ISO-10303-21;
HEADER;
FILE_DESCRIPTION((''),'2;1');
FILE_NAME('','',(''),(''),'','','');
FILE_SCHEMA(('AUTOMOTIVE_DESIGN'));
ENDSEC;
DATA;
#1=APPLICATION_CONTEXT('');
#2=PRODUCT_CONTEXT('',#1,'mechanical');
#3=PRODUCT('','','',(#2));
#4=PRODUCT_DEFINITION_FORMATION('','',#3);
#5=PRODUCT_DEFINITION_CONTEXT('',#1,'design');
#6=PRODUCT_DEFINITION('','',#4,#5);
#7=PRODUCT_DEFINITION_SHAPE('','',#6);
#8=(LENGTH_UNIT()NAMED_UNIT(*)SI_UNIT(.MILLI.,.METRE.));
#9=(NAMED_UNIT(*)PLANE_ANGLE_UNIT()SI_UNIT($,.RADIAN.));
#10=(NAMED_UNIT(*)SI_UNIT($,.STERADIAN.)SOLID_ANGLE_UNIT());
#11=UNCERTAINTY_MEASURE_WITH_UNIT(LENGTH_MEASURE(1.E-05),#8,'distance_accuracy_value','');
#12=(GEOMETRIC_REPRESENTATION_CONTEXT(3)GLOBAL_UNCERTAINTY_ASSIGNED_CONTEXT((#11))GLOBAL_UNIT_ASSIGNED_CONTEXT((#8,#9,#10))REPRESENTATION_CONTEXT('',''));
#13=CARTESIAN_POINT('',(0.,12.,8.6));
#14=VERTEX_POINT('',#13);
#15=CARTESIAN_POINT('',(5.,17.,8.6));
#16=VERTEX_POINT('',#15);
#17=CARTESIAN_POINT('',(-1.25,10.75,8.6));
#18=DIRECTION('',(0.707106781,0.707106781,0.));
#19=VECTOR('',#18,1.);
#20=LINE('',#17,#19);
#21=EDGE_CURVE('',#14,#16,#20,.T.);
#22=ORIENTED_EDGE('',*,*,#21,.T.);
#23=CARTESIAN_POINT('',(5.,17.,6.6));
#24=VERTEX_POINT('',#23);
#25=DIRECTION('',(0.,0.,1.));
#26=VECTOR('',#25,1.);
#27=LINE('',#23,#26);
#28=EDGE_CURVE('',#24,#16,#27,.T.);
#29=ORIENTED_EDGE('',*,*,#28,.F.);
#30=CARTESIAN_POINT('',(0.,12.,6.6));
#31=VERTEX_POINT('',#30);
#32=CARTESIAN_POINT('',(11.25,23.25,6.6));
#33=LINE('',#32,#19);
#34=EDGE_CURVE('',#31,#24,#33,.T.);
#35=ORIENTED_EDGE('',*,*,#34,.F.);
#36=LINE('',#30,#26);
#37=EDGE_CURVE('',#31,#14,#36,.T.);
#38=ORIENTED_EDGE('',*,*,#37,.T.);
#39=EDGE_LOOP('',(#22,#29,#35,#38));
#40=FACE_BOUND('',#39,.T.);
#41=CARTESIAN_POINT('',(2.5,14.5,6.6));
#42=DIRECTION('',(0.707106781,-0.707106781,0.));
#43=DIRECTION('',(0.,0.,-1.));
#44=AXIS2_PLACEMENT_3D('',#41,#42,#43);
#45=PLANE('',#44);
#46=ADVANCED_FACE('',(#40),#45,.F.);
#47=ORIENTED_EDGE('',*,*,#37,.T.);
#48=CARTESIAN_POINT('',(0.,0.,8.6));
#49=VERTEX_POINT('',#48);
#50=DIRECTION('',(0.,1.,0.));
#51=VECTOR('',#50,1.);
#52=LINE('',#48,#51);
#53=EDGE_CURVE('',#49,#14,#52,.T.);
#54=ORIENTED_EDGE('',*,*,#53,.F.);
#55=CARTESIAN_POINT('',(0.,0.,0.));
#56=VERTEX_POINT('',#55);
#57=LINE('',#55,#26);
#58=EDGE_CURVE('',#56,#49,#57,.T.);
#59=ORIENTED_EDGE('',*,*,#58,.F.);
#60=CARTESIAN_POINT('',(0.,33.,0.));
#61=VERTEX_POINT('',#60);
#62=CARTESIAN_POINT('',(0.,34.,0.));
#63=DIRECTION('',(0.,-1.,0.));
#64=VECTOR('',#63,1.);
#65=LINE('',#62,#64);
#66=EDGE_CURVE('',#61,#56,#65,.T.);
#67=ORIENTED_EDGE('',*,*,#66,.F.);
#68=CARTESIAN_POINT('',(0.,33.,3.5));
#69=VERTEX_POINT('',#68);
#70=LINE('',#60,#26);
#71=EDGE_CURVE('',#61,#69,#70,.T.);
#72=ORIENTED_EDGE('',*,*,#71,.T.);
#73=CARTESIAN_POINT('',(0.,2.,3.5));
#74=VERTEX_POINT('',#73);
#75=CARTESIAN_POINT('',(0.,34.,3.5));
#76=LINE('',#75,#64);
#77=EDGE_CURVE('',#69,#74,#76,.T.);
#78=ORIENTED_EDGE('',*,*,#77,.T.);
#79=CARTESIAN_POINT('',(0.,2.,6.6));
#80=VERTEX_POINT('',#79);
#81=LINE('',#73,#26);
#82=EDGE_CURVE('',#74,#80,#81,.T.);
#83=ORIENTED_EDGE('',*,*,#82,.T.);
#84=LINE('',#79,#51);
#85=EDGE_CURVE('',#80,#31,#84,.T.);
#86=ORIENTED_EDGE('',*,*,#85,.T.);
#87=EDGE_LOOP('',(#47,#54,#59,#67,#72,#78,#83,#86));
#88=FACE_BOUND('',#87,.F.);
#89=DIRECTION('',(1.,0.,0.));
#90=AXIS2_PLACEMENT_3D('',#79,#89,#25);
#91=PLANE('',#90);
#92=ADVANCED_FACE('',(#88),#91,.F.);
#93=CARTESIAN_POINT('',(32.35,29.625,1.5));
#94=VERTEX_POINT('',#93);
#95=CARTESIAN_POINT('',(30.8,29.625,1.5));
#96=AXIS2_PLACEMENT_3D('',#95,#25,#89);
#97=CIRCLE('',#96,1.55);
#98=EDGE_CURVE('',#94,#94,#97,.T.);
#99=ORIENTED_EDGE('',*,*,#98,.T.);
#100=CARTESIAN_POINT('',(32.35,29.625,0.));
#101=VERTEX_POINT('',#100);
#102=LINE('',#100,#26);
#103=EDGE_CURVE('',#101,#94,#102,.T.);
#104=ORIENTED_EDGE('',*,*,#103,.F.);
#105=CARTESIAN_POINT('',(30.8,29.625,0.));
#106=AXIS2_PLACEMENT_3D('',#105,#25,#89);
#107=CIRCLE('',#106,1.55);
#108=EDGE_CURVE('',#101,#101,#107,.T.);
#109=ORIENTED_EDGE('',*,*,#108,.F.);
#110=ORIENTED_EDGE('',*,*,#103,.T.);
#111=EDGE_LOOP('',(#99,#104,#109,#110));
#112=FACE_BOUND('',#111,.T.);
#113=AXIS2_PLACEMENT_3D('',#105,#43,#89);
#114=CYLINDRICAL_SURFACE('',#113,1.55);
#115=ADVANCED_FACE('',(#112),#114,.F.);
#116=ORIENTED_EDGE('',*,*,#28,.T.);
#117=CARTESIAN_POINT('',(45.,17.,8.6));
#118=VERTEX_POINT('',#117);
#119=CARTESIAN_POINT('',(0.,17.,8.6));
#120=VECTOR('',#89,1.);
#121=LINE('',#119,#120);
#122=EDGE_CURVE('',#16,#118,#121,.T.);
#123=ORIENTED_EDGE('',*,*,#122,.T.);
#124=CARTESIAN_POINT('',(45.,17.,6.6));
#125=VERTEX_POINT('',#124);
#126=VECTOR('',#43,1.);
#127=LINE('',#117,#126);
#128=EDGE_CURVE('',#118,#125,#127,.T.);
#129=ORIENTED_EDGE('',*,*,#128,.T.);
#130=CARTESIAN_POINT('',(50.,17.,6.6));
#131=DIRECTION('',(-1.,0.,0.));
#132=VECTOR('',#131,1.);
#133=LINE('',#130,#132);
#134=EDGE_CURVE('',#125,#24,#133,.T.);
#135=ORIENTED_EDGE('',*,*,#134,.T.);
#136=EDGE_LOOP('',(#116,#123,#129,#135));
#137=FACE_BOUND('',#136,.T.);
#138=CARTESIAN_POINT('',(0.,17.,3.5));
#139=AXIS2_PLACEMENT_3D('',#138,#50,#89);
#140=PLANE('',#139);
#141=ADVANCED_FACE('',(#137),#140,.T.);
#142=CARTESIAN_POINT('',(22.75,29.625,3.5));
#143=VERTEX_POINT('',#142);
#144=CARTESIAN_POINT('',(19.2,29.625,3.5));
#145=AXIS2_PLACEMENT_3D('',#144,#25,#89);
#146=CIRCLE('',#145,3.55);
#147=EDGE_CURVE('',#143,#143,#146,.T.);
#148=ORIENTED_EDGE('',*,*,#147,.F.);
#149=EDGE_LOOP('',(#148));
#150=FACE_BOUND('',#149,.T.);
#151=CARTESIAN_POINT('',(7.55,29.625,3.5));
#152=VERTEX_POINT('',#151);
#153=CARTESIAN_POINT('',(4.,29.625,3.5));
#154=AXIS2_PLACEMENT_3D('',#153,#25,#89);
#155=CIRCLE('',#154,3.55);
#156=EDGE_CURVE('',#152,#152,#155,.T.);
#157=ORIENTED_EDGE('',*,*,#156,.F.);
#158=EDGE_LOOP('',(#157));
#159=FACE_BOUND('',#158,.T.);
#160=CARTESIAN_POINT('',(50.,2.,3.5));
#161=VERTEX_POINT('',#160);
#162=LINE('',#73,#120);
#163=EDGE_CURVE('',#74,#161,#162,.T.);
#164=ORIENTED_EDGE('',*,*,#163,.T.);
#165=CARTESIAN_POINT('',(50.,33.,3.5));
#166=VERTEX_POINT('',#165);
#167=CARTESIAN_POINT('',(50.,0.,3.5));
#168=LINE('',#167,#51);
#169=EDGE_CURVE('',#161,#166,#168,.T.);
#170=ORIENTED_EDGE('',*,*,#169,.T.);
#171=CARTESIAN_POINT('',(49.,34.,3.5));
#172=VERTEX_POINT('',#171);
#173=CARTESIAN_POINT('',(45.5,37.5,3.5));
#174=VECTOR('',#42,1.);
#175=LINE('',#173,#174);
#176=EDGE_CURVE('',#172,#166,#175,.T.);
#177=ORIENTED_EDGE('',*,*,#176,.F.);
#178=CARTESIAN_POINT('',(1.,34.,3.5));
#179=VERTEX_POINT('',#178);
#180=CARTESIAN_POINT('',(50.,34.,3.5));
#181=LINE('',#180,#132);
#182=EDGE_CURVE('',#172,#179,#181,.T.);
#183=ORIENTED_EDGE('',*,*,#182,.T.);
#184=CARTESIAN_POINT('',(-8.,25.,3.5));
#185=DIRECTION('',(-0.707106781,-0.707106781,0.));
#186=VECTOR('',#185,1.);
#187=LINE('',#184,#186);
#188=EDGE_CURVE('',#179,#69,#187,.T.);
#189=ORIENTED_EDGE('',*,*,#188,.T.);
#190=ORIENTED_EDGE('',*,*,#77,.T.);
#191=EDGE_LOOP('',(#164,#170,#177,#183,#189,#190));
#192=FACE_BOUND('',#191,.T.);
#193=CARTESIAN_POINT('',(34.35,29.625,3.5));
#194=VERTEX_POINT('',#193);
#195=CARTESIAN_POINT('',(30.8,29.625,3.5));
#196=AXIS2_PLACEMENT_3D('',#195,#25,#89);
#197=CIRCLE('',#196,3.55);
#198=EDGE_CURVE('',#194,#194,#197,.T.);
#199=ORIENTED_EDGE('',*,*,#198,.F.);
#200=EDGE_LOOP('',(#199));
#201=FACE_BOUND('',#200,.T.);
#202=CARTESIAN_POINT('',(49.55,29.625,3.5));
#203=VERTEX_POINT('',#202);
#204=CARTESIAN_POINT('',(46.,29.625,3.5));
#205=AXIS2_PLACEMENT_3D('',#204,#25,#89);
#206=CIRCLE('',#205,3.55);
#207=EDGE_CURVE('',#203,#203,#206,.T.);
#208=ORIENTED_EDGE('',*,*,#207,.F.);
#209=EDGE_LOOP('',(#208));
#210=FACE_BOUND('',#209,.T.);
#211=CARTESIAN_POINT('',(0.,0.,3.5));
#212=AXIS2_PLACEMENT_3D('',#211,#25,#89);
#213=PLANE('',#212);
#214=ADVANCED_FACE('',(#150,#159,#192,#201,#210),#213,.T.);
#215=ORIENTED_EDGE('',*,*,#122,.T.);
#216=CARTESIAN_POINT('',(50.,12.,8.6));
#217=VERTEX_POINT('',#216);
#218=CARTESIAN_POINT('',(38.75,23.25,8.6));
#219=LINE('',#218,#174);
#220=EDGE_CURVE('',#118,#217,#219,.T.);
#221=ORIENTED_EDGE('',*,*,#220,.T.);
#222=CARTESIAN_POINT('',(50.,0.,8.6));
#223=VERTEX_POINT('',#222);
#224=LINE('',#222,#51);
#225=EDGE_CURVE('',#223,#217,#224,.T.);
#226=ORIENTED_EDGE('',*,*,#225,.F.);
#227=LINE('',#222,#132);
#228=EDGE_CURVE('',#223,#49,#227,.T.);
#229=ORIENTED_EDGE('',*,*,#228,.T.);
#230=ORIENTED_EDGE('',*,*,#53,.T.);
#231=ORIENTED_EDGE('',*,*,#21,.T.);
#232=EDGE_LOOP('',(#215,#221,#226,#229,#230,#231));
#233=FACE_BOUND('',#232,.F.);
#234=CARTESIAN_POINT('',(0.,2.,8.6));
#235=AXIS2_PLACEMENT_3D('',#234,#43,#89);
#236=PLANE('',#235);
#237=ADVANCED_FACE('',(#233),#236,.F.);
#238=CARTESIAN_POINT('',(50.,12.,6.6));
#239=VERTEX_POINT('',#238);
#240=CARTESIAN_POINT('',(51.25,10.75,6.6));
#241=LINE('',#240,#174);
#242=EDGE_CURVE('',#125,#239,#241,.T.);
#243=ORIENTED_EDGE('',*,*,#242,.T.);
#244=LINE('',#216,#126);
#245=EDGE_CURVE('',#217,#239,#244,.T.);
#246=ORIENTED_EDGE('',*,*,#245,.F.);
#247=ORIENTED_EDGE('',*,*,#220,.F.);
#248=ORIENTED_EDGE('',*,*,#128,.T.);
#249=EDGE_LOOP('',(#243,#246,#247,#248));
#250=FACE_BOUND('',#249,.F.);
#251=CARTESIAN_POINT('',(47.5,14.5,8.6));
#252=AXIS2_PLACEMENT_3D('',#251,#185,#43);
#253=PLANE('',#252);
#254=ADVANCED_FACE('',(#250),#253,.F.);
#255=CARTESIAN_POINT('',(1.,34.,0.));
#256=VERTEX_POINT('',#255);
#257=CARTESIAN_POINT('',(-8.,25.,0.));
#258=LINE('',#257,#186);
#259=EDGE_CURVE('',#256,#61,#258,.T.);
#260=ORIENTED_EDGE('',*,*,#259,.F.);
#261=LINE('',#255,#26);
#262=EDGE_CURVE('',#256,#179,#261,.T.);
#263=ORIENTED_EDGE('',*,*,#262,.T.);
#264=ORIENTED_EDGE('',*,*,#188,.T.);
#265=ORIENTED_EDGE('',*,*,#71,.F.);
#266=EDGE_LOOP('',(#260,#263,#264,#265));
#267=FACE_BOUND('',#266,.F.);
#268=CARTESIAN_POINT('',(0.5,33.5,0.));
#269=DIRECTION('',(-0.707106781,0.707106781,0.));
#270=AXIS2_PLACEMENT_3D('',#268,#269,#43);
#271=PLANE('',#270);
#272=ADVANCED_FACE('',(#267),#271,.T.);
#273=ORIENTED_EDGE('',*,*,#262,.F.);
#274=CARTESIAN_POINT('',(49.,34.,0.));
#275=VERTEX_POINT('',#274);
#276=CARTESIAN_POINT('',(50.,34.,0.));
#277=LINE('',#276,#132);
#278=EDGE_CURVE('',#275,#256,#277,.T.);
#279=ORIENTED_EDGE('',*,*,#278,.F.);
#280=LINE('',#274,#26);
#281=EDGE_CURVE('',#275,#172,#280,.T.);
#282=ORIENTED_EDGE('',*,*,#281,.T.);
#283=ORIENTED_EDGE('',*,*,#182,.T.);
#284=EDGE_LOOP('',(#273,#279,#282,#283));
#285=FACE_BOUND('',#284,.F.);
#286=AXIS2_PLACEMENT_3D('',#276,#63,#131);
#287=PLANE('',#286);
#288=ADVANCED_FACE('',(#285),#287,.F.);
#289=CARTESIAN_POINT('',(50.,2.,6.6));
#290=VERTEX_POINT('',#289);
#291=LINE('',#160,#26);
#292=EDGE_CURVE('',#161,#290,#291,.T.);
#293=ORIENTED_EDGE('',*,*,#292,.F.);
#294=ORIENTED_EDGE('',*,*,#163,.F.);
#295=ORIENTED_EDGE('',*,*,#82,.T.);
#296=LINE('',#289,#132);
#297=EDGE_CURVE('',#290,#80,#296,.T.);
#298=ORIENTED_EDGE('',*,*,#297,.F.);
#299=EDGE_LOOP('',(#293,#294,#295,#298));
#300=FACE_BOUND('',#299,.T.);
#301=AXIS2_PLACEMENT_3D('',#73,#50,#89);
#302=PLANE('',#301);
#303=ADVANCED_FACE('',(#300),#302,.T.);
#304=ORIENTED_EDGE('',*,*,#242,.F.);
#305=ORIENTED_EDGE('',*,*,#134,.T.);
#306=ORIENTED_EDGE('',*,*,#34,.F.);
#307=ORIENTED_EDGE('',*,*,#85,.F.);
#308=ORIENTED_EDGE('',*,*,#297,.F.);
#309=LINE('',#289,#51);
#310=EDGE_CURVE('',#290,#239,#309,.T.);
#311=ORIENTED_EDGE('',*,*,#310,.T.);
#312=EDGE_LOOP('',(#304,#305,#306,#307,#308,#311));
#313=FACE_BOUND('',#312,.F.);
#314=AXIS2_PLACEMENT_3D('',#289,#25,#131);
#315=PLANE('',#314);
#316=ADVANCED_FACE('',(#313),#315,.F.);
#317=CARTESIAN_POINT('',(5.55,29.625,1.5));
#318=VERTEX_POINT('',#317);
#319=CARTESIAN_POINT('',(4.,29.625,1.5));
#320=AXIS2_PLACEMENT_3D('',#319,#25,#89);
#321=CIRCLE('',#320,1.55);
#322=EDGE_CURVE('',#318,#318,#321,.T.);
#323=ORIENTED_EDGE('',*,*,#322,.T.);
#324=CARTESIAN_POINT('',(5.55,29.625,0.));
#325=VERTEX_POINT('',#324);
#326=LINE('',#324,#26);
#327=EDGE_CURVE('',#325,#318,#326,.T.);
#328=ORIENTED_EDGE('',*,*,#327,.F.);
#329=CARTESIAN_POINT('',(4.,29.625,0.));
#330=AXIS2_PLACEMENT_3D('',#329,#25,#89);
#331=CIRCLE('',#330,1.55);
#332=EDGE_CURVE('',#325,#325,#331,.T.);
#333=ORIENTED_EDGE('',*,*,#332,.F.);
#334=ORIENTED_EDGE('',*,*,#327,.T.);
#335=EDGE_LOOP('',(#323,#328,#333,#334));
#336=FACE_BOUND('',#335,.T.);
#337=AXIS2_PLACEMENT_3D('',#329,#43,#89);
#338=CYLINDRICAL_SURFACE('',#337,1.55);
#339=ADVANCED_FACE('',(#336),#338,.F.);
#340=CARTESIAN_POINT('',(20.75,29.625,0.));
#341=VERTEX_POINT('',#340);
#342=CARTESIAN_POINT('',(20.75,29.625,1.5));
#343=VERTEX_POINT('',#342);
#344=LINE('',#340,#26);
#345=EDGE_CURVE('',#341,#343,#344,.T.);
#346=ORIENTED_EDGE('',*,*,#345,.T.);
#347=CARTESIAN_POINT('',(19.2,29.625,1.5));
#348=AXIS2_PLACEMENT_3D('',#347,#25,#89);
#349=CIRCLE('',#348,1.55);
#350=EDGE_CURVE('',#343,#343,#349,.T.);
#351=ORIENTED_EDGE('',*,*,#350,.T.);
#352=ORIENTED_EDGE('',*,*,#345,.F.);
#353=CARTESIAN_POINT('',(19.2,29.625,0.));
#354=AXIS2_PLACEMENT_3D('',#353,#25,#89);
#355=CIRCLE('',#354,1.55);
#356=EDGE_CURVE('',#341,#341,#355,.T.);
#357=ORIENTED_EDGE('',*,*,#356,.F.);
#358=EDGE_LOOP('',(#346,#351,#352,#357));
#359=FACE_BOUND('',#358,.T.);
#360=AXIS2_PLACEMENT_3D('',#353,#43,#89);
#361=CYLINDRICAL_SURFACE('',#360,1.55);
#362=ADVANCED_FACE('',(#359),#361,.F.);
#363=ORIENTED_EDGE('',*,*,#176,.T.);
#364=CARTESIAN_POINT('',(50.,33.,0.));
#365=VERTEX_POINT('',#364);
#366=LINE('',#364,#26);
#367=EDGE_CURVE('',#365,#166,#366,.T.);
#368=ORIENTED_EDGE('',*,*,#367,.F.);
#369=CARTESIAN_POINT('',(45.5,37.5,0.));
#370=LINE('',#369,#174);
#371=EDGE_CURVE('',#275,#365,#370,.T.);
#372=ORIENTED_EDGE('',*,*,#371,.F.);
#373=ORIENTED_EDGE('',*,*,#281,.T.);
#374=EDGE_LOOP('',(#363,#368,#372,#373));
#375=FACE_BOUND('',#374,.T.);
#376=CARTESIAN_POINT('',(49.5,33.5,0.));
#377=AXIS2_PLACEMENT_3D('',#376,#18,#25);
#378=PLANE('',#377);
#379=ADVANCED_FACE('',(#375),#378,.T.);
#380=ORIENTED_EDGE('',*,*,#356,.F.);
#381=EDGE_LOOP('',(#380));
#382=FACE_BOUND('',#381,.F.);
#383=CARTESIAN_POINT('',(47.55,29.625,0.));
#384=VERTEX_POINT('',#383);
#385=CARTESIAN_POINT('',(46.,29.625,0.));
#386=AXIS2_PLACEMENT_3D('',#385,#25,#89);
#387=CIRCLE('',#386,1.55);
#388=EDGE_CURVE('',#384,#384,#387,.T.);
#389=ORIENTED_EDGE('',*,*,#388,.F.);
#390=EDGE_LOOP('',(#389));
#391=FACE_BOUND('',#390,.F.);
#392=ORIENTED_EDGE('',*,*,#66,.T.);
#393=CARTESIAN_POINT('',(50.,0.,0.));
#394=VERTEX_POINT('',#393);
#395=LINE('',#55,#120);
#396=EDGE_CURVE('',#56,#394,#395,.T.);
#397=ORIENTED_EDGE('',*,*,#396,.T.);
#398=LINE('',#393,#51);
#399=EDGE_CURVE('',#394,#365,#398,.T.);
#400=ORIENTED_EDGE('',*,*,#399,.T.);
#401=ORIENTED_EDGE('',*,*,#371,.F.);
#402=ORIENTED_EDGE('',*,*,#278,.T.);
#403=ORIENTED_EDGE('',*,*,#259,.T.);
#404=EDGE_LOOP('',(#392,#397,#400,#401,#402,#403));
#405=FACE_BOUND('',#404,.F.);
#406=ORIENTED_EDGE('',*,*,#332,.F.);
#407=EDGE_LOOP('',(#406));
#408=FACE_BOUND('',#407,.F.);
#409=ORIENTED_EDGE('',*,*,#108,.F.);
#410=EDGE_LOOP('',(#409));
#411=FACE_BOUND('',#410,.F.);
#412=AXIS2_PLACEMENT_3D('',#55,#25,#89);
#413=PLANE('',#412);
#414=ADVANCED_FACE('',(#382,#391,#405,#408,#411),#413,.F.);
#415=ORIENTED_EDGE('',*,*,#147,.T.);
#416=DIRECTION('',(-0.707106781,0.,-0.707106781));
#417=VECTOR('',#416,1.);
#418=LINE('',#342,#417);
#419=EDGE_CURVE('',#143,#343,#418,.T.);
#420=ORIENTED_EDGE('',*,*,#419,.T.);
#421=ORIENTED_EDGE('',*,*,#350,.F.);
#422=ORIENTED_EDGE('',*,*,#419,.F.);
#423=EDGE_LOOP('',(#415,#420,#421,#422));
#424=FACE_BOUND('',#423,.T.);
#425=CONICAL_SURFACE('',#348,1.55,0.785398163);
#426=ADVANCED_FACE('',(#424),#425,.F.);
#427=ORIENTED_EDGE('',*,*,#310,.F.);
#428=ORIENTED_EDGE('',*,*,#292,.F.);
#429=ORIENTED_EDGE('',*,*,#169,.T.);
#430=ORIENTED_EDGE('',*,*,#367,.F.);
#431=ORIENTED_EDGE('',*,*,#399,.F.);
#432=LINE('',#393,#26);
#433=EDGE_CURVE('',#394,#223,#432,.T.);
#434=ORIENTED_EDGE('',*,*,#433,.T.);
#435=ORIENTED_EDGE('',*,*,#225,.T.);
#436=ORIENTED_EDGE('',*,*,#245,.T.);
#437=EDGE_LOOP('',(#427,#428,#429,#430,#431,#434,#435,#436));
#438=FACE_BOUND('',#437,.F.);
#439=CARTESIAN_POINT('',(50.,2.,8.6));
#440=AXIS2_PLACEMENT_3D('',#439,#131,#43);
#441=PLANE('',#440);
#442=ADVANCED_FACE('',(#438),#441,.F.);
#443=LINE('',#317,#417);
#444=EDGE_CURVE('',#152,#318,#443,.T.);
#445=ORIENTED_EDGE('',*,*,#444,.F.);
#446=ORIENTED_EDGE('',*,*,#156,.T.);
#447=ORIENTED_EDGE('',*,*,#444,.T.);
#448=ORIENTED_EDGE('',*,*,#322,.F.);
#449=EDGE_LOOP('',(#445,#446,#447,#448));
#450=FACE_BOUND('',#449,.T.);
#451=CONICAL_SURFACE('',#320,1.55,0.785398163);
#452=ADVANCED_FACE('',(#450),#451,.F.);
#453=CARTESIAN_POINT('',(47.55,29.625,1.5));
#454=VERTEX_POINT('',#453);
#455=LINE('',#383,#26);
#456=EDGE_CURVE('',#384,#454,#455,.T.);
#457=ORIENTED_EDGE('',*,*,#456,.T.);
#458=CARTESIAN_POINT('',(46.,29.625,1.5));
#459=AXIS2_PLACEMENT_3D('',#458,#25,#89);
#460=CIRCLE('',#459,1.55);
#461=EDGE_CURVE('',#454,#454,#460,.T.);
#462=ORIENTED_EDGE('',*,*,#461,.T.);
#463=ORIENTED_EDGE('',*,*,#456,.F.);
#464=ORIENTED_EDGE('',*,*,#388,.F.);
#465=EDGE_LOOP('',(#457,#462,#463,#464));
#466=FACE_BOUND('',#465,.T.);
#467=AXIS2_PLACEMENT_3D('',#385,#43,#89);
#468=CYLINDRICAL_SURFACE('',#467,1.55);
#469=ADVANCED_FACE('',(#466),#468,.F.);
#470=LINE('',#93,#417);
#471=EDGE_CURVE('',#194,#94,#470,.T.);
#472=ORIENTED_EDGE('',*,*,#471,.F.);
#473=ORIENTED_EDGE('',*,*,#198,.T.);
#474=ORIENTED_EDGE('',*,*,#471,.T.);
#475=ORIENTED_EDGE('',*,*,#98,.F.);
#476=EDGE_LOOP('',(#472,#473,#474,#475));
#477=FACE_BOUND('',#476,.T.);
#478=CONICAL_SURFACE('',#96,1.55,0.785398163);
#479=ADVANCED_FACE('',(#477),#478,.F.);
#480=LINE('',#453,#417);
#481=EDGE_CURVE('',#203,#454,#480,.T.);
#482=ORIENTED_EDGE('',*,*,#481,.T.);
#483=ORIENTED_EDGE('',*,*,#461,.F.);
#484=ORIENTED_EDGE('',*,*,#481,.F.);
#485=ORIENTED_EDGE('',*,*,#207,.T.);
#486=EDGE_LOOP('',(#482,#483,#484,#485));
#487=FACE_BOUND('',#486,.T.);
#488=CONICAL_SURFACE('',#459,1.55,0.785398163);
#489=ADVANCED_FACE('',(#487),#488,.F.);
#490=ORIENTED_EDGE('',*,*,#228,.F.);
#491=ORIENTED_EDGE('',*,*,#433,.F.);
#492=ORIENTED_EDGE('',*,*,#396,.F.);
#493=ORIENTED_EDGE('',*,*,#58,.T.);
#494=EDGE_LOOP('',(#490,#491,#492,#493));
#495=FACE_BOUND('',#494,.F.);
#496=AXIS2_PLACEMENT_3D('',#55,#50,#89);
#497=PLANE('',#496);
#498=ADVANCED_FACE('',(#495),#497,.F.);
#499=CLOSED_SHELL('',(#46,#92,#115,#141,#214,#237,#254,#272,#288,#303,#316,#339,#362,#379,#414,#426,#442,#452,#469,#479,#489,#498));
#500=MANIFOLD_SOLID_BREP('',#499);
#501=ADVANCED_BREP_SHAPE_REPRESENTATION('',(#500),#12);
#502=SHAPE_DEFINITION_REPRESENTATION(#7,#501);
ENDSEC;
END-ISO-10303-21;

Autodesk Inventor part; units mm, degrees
ref_plane "YZ Plane" through (0, 0, 0) normal (1, 0, 0) x (0, 1, 0)
ref_plane "XZ Plane" through (0, 0, 0) normal (0, 1, 0) x (-1, 0, 0)
ref_plane "XY Plane" through (0, 0, 0) normal (0, 0, 1) x (1, 0, 0)
sketch "Sketch1" plane through (0, 0, 0) normal (0, 0, 1) x (1, 0, 0)
  line L0 (0, 0) -> (50, 0)
  line L1 (50, 0) -> (50, 34)
  line L2 (50, 34) -> (0, 34)
  line L3 (0, 34) -> (0, 0)
  circle A0 centre (4, 29.625) radius 1.55
  circle A1 centre (19.2, 29.625) radius 1.55
  circle A2 centre (30.8, 29.625) radius 1.55
  circle A3 centre (46, 29.625) radius 1.55
  dimension "d0" = 50
  dimension "d1" = 34
  dimension "d2" = 4.375
  dimension "d3" = 4.375
  dimension "d4" = 4.375
  dimension "d5" = 4.375
  dimension "d6" = 15.2
  dimension "d7" = 15.2
  dimension "d8" = 34
  dimension "d9" = 4
  dimension "d10" = 4
  dimension "d11" = 3.1
  dimension "d12" = 3.1
  dimension "d13" = 3.1
  dimension "d14" = 3.1
extrude "Extrusion1" add sketch "Sketch1" along normal blind 3.5
sketch "Sketch2" plane through (0, 0, 3.5) normal (0, 0, 1) x (1, 0, 0)
  line L0 (0, 2) -> (50, 2)
  line L1 (50, 2) -> (50, 0)
  line L2 (50, 0) -> (0, 0)
  line L3 (0, 0) -> (0, 2)
  line L4 (0, 0) -> (50, 0) projected
  line L5 (0, 34) -> (0, 0) projected
  line L6 (50, 0) -> (50, 34) projected
  dimension "d17" = 2
extrude "Extrusion2" add sketch "Sketch2" along normal blind 5.1
sketch "Sketch3" plane through (0, 2, 3.5) normal (0, 1, 0) x (1, 0, 0)
  line L0 (0, -5.1) -> (50, -5.1)
  line L1 (50, -5.1) -> (50, -3.1)
  line L2 (50, -3.1) -> (0, -3.1)
  line L3 (0, -3.1) -> (0, -5.1)
  line L4 (0, 0) -> (0, -5.1) projected
  line L5 (50, 0) -> (50, -5.1) projected
  line L6 (50, -5.1) -> (0, -5.1) projected
  line L7 (50, 0) -> (0, 0) projected
  point P0 (0, 3.5)
  dimension "d20" = 3.1
extrude "Extrusion3" add sketch "Sketch3" along normal blind 15 contours L3 L2 L1 L0
chamfer "Chamfer1" distance 5 angle 45 2 edges at (50, 17, 7.6) (0, 17, 7.6)
chamfer "Chamfer2" distance 2 angle 45 4 edges at (2.45, 29.625, 3.5) (17.65, 29.625, 3.5) (29.25, 29.625, 3.5) (44.45, 29.625, 3.5)
chamfer "Chamfer3" distance 1 angle 45 2 edges at (0, 34, 1.75) (50, 34, 1.75)
properties part number "HX711MountingBracketv2"
